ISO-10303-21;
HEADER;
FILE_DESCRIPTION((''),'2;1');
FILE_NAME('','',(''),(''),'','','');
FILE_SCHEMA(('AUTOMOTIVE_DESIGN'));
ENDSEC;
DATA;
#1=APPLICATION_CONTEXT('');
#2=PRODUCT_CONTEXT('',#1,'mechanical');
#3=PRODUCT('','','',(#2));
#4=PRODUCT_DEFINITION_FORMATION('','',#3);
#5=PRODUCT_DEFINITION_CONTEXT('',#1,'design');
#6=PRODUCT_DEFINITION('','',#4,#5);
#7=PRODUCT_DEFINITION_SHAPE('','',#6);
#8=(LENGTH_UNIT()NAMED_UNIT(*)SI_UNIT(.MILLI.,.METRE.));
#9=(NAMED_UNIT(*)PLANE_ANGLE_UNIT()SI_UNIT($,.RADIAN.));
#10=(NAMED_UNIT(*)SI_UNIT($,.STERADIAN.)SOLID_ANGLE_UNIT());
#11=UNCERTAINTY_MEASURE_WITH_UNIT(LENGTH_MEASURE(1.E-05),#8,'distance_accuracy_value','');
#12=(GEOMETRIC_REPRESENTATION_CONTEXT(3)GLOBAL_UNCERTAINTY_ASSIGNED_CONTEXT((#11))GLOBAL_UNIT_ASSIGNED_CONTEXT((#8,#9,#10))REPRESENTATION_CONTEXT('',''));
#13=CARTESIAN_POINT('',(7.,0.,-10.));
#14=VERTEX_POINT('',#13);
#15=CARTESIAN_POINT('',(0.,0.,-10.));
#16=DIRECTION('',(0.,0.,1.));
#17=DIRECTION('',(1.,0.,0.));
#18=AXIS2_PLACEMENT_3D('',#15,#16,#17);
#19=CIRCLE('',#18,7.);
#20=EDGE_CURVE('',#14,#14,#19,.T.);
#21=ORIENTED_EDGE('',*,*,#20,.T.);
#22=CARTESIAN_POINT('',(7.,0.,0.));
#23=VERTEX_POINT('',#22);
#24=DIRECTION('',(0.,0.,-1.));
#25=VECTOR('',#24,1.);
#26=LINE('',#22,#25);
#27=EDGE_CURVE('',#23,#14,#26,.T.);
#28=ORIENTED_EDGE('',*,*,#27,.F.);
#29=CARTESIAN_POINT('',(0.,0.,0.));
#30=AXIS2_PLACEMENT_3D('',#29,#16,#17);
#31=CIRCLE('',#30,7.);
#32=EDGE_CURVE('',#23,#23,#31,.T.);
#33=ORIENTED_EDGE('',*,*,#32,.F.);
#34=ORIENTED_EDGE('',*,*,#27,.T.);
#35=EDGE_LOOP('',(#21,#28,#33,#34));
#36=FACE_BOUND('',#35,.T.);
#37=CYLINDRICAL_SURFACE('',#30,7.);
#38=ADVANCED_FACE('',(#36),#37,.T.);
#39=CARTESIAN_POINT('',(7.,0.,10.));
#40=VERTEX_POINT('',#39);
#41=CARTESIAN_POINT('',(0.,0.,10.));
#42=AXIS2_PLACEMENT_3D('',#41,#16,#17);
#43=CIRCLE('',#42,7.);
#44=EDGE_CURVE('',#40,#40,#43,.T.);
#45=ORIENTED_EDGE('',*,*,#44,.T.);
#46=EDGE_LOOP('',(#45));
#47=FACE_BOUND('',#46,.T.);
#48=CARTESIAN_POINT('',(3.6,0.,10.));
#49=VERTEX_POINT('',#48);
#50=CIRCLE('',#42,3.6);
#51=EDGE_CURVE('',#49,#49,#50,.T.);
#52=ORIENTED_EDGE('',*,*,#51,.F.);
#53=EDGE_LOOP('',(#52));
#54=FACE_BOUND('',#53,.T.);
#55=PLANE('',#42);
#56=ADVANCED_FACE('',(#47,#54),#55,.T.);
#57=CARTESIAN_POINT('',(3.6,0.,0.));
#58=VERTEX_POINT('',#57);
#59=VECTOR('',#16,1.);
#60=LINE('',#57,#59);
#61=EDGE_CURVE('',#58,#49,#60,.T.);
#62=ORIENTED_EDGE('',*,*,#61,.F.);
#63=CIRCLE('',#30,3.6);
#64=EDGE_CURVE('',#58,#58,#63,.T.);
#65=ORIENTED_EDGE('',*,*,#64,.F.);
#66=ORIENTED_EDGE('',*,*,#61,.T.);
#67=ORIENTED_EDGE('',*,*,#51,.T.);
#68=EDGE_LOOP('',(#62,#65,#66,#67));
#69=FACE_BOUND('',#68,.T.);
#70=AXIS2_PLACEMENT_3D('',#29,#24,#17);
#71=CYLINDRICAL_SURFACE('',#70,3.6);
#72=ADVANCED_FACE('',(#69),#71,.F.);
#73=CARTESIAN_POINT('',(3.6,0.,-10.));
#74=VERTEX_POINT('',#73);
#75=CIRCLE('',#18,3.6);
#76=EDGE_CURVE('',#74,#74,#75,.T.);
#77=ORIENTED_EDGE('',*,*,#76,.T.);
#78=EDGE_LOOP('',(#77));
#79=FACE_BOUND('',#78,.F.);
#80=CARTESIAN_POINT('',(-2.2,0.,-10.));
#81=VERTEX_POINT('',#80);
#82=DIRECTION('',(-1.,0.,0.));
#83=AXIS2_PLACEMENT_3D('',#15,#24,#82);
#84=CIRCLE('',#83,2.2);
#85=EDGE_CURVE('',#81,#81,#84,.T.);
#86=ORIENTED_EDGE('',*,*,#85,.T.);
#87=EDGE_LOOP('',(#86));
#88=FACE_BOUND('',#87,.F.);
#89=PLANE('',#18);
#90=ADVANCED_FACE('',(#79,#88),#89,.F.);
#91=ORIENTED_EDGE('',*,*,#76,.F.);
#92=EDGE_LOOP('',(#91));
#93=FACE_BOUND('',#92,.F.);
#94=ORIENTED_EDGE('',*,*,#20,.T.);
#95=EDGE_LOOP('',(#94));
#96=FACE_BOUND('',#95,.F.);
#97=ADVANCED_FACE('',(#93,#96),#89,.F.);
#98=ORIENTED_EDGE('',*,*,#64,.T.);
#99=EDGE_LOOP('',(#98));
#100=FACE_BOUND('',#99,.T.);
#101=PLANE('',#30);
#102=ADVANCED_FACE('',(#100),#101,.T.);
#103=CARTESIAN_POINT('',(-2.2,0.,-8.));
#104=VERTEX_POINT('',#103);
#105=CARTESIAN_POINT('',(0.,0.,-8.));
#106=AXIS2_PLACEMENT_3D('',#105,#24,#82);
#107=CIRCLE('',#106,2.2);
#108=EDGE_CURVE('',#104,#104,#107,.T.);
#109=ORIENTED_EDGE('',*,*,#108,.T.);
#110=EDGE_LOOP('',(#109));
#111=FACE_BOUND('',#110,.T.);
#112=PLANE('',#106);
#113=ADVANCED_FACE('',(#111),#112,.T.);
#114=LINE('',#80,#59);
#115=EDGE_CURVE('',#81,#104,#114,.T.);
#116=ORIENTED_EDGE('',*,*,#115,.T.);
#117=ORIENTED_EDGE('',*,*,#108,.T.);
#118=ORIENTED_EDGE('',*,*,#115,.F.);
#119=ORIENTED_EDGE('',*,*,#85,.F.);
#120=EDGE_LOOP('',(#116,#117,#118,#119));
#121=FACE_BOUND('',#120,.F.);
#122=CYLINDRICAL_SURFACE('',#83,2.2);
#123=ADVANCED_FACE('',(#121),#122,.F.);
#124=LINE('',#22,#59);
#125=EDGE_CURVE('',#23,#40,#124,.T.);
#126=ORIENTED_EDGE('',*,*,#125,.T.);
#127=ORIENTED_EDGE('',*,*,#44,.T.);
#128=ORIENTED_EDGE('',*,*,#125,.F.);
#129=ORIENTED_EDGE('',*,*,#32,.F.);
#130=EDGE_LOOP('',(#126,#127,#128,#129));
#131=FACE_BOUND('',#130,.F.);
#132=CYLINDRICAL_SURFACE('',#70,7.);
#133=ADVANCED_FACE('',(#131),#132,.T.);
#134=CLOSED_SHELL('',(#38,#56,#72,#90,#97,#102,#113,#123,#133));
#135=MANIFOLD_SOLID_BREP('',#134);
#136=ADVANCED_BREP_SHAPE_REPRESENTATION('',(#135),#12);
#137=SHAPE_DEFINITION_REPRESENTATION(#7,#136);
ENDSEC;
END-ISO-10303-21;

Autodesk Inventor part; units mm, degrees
ref_plane "YZ Plane" through (0, 0, 0) normal (1, 0, 0) x (0, 1, 0)
ref_plane "XZ Plane" through (0, 0, 0) normal (0, 1, 0) x (-1, 0, 0)
ref_plane "XY Plane" through (0, 0, 0) normal (0, 0, 1) x (1, 0, 0)
sketch "Sketch1" plane through (0, 0, 0) normal (0, 0, 1) x (1, 0, 0)
  circle A0 centre (0, 0) radius 3.6
  circle A1 centre (0, 0) radius 7
  dimension "d0" = 7.2
  dimension "d1" = 14
extrude "Extrusion1" add sketch "Sketch1" along normal mid plane 20
extrude "Extrusion2" add sketch "Sketch1" against normal blind 10 contours A0
sketch "Sketch2" plane through (0, 0, -10) normal (0, 0, -1) x (-1, 0, 0)
  circle A0 centre (0, 0) radius 2.2
  dimension "d6" = 4.4
extrude "Extrusion3" cut sketch "Sketch2" against normal blind 2
properties part number "Magnet Coupler"
